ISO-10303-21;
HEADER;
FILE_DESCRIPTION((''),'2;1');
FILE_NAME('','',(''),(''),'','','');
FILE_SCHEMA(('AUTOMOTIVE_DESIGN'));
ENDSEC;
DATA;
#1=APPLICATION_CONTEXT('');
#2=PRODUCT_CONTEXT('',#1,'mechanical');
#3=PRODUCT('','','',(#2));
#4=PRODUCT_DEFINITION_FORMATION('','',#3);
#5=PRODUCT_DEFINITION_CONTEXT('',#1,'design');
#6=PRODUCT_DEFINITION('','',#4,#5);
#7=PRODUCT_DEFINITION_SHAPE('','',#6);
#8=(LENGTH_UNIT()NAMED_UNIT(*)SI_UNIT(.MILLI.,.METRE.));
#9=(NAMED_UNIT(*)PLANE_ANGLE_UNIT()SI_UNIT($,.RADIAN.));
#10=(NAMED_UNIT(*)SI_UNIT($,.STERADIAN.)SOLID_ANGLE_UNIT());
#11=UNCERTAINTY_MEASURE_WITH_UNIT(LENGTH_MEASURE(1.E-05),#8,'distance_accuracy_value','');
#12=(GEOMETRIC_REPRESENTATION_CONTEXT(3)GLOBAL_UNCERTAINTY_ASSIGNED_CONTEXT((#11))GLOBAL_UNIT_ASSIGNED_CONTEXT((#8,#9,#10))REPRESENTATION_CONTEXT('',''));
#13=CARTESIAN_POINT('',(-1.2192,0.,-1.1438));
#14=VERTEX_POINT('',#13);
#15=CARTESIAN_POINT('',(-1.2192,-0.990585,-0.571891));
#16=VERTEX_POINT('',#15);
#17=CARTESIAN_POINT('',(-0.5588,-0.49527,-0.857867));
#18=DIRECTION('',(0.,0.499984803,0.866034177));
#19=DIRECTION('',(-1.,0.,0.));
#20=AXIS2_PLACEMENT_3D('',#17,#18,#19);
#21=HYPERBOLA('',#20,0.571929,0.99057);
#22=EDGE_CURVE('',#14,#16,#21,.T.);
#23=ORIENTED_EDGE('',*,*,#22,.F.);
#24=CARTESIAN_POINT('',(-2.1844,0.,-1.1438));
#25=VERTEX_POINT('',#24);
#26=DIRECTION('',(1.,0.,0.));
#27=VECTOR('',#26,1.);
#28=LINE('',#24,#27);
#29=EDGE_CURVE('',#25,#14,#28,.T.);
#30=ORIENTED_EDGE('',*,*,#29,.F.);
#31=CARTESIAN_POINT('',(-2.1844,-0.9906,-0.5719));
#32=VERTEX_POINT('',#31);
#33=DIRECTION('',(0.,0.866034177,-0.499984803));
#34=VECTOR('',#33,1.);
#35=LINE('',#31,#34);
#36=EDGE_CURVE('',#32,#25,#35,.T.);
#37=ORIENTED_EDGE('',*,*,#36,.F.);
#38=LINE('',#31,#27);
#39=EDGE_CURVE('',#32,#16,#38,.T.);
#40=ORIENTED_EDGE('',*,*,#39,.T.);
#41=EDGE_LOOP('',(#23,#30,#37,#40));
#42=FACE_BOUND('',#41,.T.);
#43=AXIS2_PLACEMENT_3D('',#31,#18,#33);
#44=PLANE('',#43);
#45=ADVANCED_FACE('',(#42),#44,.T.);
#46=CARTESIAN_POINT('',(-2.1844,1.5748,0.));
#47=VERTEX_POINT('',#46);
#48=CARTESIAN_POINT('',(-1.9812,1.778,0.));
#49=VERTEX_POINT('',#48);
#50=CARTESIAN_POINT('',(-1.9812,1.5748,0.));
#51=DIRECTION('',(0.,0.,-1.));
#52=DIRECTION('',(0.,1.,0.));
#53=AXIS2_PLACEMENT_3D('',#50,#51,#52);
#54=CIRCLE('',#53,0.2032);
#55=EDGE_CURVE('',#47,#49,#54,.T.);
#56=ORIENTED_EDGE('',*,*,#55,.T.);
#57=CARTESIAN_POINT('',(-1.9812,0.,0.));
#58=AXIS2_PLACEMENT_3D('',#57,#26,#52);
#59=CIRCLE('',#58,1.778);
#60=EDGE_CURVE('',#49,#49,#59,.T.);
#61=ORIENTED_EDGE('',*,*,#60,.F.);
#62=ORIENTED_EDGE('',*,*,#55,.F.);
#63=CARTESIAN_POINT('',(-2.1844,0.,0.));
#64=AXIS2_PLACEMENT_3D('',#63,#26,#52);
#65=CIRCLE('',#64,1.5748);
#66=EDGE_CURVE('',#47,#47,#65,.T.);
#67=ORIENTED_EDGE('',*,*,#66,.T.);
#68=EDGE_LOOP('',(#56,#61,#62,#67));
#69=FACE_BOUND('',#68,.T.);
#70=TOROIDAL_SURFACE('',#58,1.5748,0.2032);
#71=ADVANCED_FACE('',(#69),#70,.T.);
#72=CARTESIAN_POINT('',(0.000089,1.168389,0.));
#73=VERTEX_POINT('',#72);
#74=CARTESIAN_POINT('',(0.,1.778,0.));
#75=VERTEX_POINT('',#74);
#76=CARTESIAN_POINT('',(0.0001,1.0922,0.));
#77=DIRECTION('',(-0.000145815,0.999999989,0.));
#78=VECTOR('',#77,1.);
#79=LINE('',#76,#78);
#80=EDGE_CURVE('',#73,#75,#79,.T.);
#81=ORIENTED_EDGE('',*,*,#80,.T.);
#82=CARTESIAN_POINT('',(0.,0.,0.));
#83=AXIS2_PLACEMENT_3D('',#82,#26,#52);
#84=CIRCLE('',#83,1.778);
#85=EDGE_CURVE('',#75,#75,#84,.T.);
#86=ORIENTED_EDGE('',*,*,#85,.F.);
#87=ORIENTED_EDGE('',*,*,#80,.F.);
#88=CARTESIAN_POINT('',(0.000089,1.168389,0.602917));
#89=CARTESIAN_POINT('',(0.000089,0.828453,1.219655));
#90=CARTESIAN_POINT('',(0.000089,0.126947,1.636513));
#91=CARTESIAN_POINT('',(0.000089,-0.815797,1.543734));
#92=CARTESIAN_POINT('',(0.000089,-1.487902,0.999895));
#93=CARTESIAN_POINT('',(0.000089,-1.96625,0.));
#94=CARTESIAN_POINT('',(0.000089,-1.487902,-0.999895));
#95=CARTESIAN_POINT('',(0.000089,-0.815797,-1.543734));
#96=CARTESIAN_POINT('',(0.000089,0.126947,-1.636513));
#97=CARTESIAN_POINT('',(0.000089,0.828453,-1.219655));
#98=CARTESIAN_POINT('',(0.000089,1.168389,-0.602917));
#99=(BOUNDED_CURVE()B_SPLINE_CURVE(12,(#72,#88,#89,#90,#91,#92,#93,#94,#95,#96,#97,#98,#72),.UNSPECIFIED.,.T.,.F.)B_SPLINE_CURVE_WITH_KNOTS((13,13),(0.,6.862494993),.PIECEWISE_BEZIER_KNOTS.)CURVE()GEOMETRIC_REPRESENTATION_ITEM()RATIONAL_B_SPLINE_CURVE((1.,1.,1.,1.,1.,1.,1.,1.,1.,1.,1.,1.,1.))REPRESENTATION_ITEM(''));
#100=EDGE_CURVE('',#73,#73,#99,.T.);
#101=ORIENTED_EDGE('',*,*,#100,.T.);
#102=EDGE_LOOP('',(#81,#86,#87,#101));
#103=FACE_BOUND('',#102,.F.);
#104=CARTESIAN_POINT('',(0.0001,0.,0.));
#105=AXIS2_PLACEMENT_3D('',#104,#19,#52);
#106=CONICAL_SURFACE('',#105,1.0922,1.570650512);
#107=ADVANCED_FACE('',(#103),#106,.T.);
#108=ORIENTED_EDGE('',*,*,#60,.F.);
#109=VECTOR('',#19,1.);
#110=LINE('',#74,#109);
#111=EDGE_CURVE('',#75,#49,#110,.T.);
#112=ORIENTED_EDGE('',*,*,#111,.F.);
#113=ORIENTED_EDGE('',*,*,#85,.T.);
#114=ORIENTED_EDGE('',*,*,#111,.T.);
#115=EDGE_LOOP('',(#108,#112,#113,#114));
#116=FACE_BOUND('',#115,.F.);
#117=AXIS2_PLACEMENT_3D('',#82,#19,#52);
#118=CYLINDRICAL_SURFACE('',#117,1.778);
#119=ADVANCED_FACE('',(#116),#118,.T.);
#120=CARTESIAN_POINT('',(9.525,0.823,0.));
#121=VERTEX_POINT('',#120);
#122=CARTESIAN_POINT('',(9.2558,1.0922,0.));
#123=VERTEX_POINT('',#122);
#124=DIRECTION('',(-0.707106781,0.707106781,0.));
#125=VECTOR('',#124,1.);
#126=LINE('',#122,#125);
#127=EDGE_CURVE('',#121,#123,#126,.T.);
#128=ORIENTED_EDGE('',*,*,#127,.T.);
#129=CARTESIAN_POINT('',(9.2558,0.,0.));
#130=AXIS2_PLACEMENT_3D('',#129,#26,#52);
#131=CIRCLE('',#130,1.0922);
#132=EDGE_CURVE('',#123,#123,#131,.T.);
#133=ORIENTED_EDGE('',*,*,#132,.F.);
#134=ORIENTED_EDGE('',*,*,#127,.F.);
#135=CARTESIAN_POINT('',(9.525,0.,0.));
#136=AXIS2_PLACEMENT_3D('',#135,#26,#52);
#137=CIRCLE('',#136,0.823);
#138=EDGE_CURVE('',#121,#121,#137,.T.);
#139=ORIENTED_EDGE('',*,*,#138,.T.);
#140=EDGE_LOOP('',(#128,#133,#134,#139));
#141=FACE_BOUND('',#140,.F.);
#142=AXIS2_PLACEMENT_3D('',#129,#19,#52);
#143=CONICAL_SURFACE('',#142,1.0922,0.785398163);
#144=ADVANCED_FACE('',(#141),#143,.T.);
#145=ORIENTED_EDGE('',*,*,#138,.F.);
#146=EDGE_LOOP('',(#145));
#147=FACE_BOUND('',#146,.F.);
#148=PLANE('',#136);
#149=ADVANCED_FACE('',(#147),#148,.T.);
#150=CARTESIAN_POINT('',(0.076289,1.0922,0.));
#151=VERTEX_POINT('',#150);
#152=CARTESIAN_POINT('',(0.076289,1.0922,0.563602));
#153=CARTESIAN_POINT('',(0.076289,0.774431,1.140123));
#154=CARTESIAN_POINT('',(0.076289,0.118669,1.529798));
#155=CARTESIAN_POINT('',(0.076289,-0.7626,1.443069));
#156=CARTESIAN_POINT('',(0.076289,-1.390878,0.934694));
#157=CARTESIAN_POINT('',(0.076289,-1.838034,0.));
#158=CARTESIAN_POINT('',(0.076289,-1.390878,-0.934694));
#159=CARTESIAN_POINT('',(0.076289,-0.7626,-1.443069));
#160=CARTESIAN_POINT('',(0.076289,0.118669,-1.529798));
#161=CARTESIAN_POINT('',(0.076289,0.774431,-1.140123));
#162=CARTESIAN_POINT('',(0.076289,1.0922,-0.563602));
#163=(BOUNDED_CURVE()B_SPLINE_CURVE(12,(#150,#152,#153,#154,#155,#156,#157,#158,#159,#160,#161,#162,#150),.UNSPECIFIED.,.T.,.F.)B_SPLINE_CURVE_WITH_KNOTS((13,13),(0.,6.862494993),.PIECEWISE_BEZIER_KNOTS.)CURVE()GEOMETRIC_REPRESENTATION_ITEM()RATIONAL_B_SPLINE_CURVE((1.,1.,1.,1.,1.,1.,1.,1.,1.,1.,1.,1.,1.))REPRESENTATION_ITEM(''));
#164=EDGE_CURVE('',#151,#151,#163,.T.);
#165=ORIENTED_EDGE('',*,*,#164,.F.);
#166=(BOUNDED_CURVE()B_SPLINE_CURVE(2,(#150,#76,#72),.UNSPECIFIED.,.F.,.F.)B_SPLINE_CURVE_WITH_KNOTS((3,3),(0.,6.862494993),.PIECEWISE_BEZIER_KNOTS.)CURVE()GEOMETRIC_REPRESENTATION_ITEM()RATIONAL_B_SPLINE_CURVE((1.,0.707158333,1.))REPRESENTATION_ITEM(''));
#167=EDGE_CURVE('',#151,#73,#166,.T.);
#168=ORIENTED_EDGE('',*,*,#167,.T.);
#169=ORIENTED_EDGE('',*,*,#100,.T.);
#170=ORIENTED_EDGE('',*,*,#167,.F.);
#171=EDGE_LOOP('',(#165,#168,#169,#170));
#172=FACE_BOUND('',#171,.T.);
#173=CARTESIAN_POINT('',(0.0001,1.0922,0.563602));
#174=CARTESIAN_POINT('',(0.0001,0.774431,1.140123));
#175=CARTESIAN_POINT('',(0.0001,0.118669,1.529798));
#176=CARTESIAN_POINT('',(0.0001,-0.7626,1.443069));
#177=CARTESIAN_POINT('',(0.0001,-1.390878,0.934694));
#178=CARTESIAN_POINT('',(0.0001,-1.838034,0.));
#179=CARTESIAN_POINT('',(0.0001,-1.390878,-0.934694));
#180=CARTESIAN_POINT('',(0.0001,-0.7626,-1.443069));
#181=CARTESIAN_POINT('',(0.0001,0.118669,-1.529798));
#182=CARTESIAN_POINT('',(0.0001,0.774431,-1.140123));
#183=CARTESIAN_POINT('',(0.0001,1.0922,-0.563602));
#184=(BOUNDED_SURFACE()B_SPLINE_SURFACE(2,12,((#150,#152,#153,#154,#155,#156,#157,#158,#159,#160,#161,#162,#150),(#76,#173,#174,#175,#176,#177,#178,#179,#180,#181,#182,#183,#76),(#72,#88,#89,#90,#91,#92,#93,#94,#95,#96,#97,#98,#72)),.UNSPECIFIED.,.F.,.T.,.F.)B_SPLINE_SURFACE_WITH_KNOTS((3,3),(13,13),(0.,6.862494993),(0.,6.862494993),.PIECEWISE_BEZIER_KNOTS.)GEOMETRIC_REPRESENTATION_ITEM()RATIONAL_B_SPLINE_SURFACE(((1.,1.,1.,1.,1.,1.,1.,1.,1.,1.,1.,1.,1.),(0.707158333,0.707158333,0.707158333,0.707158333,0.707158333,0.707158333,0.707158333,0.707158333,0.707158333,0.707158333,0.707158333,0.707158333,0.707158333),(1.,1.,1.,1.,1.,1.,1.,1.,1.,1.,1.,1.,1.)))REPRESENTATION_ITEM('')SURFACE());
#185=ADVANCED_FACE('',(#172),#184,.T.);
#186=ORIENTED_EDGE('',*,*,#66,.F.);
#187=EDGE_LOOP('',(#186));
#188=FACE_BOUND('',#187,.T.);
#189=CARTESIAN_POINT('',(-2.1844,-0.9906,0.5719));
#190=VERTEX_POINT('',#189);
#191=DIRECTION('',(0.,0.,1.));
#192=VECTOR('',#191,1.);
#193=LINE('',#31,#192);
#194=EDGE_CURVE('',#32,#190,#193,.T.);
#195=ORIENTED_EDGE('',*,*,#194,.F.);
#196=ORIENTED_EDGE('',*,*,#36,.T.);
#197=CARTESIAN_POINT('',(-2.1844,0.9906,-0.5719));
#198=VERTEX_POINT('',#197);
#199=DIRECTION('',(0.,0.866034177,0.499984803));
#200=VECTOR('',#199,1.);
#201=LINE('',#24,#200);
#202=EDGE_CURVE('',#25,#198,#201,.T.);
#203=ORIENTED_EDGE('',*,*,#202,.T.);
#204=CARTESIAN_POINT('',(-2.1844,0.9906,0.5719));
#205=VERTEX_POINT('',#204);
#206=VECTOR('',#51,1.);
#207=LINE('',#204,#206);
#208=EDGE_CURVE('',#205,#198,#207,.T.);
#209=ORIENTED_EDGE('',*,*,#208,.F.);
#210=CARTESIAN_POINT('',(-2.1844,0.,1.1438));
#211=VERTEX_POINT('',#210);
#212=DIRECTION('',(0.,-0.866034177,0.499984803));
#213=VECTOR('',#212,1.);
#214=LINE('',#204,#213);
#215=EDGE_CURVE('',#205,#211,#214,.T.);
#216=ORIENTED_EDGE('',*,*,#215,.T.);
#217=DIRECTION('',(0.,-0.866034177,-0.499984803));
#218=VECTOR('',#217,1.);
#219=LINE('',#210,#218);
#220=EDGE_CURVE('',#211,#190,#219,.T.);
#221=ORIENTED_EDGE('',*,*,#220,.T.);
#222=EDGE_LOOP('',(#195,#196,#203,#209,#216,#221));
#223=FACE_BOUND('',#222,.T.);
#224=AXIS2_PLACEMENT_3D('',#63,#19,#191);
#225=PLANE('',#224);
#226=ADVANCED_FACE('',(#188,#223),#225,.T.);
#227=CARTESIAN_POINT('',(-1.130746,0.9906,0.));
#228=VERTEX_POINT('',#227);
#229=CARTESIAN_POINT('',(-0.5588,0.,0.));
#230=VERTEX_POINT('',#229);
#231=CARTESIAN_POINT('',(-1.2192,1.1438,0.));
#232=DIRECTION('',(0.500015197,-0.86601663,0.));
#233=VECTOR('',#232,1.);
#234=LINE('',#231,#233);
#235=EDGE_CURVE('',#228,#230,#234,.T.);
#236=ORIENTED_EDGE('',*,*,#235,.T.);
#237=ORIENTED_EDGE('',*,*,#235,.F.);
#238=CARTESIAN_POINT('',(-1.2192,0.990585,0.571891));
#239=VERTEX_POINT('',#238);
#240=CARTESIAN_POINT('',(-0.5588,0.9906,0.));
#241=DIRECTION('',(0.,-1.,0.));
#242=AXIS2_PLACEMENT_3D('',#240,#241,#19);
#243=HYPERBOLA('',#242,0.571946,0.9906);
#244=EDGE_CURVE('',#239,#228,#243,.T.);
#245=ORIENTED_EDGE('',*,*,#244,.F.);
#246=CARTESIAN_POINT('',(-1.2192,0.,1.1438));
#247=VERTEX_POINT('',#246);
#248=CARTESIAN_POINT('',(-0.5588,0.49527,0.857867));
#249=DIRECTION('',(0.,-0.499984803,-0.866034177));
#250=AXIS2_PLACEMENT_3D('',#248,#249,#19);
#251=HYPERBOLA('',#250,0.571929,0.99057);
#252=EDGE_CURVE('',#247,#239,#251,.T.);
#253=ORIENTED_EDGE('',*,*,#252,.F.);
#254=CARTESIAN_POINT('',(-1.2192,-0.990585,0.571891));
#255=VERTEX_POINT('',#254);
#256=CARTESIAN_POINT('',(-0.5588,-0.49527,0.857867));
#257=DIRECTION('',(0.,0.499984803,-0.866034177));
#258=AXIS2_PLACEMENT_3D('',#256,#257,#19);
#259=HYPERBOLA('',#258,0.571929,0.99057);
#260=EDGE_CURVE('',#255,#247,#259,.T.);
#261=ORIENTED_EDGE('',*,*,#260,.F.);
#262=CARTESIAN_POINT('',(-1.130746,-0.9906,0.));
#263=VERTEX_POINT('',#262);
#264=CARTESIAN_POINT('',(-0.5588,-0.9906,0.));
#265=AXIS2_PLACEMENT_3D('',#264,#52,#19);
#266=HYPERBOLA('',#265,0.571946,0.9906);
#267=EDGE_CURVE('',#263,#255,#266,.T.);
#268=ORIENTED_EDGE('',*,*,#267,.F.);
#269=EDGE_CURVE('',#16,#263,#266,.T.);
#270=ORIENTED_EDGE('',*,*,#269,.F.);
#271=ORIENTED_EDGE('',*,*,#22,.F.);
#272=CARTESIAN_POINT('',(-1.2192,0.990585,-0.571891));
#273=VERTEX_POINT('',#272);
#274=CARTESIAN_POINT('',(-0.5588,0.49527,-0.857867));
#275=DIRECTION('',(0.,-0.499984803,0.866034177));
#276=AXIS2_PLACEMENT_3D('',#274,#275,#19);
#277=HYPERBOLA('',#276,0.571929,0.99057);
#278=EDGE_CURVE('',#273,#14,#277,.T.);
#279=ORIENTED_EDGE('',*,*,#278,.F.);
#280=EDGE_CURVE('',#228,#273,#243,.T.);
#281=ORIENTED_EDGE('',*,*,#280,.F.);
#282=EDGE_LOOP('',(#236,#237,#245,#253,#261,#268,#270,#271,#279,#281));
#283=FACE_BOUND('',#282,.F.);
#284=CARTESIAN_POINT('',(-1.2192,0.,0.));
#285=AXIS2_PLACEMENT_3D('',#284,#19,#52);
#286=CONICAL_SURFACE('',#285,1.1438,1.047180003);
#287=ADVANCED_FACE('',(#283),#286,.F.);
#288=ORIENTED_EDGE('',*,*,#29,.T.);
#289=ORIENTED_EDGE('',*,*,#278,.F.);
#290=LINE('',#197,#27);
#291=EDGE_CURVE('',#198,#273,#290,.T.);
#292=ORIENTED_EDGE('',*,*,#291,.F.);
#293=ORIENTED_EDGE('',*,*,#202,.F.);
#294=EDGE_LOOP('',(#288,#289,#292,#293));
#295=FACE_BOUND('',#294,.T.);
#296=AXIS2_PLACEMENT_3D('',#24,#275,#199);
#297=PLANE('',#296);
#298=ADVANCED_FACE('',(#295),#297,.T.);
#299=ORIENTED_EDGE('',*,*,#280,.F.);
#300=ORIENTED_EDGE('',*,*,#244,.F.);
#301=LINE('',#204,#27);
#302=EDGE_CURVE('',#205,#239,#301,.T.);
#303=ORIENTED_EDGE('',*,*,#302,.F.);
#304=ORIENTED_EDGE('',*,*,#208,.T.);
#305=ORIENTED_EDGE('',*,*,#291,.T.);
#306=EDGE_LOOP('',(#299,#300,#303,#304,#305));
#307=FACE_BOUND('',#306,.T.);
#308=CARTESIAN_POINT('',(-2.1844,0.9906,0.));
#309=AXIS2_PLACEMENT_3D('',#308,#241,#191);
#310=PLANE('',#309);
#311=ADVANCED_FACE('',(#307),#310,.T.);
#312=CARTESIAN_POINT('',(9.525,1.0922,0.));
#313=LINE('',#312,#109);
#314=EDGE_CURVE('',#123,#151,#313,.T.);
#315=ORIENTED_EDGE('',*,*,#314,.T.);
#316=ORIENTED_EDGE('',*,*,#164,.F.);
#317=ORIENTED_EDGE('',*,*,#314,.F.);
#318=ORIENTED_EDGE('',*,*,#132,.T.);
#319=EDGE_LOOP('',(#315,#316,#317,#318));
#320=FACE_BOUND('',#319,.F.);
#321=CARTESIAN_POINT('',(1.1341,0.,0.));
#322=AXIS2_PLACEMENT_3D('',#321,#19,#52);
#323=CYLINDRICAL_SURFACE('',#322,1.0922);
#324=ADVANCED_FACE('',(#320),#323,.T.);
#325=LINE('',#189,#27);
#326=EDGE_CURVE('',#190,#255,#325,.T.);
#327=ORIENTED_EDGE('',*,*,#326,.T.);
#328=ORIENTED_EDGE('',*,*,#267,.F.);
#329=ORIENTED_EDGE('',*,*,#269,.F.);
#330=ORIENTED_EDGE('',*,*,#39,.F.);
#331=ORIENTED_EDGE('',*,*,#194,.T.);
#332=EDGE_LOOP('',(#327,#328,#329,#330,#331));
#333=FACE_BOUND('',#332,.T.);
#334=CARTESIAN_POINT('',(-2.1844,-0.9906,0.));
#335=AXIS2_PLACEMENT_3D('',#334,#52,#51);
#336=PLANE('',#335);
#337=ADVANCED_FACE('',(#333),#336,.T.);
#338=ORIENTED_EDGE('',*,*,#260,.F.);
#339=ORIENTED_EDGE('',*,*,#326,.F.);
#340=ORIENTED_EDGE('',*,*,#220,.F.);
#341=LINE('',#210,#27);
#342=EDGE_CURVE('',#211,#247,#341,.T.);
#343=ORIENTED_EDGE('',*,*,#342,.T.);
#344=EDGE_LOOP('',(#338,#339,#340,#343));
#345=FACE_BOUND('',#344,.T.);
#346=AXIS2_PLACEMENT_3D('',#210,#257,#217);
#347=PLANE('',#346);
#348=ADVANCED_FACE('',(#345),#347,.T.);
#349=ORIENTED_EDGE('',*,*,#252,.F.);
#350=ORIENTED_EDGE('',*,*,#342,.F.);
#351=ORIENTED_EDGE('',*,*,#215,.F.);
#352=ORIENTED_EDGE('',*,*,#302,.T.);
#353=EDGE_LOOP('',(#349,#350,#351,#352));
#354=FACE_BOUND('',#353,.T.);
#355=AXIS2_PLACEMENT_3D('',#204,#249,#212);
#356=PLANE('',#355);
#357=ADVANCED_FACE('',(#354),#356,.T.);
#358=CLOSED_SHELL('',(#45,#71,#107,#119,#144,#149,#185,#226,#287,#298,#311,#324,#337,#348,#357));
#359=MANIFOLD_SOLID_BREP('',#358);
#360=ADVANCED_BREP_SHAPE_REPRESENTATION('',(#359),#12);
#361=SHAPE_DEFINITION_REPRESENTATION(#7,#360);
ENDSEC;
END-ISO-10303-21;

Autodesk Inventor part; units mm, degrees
ref_plane "YZ Plane" through (0, 0, 0) normal (1, 0, 0) x (0, 1, 0)
ref_plane "XZ Plane" through (0, 0, 0) normal (0, 1, 0) x (-1, 0, 0)
sketch "Sketch1" plane through (0, 0, 0) normal (0, 0, 1) x (1, 0, 0)
  line L0 (-0.5588, 0) -> (9.525, 0)
  line L1 (9.525, 0) -> (9.525, 1.0922)
  line L2 (9.525, 1.0922) -> (1.1341, 1.0922)
  line L3 (1.1341, 1.0922) -> (0.0001, 1.0922)
  line L4 (0.0001, 1.0922) -> (0, 1.0922)
  line L5 (0, 1.0922) -> (0, 1.778)
  line L6 (0, 1.778) -> (-2.1844, 1.778)
  line L7 (-2.1844, 1.778) -> (-2.1844, 1.1438)
  line L8 (-2.1844, 1.1438) -> (-1.2192, 1.1438)
  line L9 (-1.2192, 1.1438) -> (-0.5588, 0)
  line L10 (-4.5263, 0) -> (11.8669, 0) projected
  line L11 (0, -0.3556) -> (0, 2.1336) projected
  line L12 (1.1341, 1.0922) -> (0, 1.0922) construction
  dimension "d1" = 8.3909
  dimension "d2" = 1.134
  dimension "d3" = 2.1844
  dimension "d4" = 0.9652
  dimension "d5" = 60
  dimension "d6" = 2.1844
  dimension "d7" = 2.1844
  dimension "d8" = 2.2877
  dimension "d9" = 3.556
  dimension "d26" = 9.525
revolve "Body" add sketch "Sketch1" angle 360 about axis through (-0.5588, 0, 0) along (1, 0, 0)
sketch "Sketch2" plane through (-2.1844, 0, 0) normal (-1, 0, 0) x (0, 0, 1)
  circle A0 centre (0, 0) radius 1.1438 projected
  line L0 (0, -2.4892) -> (0, 2.4892) projected
  line L1 (-2.4892, 0) -> (2.4892, 0) projected
  line L2 (1.1438, 0) -> (0.5719, -0.9906)
  line L3 (0.5719, -0.9906) -> (-0.5719, -0.9906)
  line L4 (-0.5719, -0.9906) -> (-1.1438, 0)
  line L5 (-1.1438, 0) -> (-0.5719, 0.9906)
  line L6 (-0.5719, 0.9906) -> (0.5719, 0.9906)
  line L7 (0.5719, 0.9906) -> (1.1438, 0)
extrude "Slot" add sketch "Sketch2" against normal up to next contours L7 A0 | A0 L2 | L6 L0 A0 | A0 L0 L3 | L0 L6 A0 | A0 L3 L0 | L4 A0 | A0 L5
fillet "Fillet1" radius 0.2032 1 edges at (-2.1844, -1.778, 0)
thread "Thread" size "2-56 UNC" class "2A" standard "ANSI Unified Screw Threads" length 8.3909
chamfer "Chamfer1" distance 0.2692 distance2 0.2692 1 edges at (9.525, -1.0922, 0) measured on face at (9.525, -0.5889, -0.3614)
ref_plane "Work Plane1" through (29, 0, 0) normal (0, -1, 0) x (1, 0, 0)
fillet "Fillet2" radius 0.0762 1 edges at (0.0001, -1.0922, 0)
equation "\"d1\" = GEL"
equation "\"d3\" = KOH"
equation "\"d4\" = INTI"
equation "\"d6\" = GD"
equation "\"d7\" = BDM"
equation "\"d8\" = 1.1547 * SW"
equation "\"d9\" = KOD"
equation "\"d26\" = NLG"
equation "\"d30\" = R"
equation "\"d17\" = RR"
equation "\"d13\" = GEL"
equation "\"d15\" = -0.5 * SPD + 0.5 * GD"
equation "\"d16\" = GUL"
equation "\"GD\" = 2.1844"
equation "\"NLG\" = 9.525"
equation "\"GEL\" = 8.39094"
equation "\"KOD\" = 3.556"
equation "\"KOH\" = 2.1844"
equation "\"INTI\" = 0.9652"
equation "\"GAL\" = 1.13386"
equation "\"GUL\" = 0.26924"
equation "\"BDM\" = 2.1844"
equation "\"SW\" = 1.9812"
equation "\"RR\" = 0.2032"
equation "\"SPD\" = 1.64592"
equation "\"R\" = 0.0762"
equation "\"PHH\" = 0.0762"
equation "\"GD1\" = SPD"
equation "\"THREADDIA\" = 2.1844"
equation "\"FAWI\" = 45deg"
equation "\"KOH1\" = 1.9558"
equation "\"NND\" = 2.1844"
equation "\"TOA\" = 30deg"
equation "\"E0\" = 1.155 * SW"
properties part number "ANSI B18.3 - No. 2 - 56 UNC - 3/8 HS HCS" material "Steel, Mild"
